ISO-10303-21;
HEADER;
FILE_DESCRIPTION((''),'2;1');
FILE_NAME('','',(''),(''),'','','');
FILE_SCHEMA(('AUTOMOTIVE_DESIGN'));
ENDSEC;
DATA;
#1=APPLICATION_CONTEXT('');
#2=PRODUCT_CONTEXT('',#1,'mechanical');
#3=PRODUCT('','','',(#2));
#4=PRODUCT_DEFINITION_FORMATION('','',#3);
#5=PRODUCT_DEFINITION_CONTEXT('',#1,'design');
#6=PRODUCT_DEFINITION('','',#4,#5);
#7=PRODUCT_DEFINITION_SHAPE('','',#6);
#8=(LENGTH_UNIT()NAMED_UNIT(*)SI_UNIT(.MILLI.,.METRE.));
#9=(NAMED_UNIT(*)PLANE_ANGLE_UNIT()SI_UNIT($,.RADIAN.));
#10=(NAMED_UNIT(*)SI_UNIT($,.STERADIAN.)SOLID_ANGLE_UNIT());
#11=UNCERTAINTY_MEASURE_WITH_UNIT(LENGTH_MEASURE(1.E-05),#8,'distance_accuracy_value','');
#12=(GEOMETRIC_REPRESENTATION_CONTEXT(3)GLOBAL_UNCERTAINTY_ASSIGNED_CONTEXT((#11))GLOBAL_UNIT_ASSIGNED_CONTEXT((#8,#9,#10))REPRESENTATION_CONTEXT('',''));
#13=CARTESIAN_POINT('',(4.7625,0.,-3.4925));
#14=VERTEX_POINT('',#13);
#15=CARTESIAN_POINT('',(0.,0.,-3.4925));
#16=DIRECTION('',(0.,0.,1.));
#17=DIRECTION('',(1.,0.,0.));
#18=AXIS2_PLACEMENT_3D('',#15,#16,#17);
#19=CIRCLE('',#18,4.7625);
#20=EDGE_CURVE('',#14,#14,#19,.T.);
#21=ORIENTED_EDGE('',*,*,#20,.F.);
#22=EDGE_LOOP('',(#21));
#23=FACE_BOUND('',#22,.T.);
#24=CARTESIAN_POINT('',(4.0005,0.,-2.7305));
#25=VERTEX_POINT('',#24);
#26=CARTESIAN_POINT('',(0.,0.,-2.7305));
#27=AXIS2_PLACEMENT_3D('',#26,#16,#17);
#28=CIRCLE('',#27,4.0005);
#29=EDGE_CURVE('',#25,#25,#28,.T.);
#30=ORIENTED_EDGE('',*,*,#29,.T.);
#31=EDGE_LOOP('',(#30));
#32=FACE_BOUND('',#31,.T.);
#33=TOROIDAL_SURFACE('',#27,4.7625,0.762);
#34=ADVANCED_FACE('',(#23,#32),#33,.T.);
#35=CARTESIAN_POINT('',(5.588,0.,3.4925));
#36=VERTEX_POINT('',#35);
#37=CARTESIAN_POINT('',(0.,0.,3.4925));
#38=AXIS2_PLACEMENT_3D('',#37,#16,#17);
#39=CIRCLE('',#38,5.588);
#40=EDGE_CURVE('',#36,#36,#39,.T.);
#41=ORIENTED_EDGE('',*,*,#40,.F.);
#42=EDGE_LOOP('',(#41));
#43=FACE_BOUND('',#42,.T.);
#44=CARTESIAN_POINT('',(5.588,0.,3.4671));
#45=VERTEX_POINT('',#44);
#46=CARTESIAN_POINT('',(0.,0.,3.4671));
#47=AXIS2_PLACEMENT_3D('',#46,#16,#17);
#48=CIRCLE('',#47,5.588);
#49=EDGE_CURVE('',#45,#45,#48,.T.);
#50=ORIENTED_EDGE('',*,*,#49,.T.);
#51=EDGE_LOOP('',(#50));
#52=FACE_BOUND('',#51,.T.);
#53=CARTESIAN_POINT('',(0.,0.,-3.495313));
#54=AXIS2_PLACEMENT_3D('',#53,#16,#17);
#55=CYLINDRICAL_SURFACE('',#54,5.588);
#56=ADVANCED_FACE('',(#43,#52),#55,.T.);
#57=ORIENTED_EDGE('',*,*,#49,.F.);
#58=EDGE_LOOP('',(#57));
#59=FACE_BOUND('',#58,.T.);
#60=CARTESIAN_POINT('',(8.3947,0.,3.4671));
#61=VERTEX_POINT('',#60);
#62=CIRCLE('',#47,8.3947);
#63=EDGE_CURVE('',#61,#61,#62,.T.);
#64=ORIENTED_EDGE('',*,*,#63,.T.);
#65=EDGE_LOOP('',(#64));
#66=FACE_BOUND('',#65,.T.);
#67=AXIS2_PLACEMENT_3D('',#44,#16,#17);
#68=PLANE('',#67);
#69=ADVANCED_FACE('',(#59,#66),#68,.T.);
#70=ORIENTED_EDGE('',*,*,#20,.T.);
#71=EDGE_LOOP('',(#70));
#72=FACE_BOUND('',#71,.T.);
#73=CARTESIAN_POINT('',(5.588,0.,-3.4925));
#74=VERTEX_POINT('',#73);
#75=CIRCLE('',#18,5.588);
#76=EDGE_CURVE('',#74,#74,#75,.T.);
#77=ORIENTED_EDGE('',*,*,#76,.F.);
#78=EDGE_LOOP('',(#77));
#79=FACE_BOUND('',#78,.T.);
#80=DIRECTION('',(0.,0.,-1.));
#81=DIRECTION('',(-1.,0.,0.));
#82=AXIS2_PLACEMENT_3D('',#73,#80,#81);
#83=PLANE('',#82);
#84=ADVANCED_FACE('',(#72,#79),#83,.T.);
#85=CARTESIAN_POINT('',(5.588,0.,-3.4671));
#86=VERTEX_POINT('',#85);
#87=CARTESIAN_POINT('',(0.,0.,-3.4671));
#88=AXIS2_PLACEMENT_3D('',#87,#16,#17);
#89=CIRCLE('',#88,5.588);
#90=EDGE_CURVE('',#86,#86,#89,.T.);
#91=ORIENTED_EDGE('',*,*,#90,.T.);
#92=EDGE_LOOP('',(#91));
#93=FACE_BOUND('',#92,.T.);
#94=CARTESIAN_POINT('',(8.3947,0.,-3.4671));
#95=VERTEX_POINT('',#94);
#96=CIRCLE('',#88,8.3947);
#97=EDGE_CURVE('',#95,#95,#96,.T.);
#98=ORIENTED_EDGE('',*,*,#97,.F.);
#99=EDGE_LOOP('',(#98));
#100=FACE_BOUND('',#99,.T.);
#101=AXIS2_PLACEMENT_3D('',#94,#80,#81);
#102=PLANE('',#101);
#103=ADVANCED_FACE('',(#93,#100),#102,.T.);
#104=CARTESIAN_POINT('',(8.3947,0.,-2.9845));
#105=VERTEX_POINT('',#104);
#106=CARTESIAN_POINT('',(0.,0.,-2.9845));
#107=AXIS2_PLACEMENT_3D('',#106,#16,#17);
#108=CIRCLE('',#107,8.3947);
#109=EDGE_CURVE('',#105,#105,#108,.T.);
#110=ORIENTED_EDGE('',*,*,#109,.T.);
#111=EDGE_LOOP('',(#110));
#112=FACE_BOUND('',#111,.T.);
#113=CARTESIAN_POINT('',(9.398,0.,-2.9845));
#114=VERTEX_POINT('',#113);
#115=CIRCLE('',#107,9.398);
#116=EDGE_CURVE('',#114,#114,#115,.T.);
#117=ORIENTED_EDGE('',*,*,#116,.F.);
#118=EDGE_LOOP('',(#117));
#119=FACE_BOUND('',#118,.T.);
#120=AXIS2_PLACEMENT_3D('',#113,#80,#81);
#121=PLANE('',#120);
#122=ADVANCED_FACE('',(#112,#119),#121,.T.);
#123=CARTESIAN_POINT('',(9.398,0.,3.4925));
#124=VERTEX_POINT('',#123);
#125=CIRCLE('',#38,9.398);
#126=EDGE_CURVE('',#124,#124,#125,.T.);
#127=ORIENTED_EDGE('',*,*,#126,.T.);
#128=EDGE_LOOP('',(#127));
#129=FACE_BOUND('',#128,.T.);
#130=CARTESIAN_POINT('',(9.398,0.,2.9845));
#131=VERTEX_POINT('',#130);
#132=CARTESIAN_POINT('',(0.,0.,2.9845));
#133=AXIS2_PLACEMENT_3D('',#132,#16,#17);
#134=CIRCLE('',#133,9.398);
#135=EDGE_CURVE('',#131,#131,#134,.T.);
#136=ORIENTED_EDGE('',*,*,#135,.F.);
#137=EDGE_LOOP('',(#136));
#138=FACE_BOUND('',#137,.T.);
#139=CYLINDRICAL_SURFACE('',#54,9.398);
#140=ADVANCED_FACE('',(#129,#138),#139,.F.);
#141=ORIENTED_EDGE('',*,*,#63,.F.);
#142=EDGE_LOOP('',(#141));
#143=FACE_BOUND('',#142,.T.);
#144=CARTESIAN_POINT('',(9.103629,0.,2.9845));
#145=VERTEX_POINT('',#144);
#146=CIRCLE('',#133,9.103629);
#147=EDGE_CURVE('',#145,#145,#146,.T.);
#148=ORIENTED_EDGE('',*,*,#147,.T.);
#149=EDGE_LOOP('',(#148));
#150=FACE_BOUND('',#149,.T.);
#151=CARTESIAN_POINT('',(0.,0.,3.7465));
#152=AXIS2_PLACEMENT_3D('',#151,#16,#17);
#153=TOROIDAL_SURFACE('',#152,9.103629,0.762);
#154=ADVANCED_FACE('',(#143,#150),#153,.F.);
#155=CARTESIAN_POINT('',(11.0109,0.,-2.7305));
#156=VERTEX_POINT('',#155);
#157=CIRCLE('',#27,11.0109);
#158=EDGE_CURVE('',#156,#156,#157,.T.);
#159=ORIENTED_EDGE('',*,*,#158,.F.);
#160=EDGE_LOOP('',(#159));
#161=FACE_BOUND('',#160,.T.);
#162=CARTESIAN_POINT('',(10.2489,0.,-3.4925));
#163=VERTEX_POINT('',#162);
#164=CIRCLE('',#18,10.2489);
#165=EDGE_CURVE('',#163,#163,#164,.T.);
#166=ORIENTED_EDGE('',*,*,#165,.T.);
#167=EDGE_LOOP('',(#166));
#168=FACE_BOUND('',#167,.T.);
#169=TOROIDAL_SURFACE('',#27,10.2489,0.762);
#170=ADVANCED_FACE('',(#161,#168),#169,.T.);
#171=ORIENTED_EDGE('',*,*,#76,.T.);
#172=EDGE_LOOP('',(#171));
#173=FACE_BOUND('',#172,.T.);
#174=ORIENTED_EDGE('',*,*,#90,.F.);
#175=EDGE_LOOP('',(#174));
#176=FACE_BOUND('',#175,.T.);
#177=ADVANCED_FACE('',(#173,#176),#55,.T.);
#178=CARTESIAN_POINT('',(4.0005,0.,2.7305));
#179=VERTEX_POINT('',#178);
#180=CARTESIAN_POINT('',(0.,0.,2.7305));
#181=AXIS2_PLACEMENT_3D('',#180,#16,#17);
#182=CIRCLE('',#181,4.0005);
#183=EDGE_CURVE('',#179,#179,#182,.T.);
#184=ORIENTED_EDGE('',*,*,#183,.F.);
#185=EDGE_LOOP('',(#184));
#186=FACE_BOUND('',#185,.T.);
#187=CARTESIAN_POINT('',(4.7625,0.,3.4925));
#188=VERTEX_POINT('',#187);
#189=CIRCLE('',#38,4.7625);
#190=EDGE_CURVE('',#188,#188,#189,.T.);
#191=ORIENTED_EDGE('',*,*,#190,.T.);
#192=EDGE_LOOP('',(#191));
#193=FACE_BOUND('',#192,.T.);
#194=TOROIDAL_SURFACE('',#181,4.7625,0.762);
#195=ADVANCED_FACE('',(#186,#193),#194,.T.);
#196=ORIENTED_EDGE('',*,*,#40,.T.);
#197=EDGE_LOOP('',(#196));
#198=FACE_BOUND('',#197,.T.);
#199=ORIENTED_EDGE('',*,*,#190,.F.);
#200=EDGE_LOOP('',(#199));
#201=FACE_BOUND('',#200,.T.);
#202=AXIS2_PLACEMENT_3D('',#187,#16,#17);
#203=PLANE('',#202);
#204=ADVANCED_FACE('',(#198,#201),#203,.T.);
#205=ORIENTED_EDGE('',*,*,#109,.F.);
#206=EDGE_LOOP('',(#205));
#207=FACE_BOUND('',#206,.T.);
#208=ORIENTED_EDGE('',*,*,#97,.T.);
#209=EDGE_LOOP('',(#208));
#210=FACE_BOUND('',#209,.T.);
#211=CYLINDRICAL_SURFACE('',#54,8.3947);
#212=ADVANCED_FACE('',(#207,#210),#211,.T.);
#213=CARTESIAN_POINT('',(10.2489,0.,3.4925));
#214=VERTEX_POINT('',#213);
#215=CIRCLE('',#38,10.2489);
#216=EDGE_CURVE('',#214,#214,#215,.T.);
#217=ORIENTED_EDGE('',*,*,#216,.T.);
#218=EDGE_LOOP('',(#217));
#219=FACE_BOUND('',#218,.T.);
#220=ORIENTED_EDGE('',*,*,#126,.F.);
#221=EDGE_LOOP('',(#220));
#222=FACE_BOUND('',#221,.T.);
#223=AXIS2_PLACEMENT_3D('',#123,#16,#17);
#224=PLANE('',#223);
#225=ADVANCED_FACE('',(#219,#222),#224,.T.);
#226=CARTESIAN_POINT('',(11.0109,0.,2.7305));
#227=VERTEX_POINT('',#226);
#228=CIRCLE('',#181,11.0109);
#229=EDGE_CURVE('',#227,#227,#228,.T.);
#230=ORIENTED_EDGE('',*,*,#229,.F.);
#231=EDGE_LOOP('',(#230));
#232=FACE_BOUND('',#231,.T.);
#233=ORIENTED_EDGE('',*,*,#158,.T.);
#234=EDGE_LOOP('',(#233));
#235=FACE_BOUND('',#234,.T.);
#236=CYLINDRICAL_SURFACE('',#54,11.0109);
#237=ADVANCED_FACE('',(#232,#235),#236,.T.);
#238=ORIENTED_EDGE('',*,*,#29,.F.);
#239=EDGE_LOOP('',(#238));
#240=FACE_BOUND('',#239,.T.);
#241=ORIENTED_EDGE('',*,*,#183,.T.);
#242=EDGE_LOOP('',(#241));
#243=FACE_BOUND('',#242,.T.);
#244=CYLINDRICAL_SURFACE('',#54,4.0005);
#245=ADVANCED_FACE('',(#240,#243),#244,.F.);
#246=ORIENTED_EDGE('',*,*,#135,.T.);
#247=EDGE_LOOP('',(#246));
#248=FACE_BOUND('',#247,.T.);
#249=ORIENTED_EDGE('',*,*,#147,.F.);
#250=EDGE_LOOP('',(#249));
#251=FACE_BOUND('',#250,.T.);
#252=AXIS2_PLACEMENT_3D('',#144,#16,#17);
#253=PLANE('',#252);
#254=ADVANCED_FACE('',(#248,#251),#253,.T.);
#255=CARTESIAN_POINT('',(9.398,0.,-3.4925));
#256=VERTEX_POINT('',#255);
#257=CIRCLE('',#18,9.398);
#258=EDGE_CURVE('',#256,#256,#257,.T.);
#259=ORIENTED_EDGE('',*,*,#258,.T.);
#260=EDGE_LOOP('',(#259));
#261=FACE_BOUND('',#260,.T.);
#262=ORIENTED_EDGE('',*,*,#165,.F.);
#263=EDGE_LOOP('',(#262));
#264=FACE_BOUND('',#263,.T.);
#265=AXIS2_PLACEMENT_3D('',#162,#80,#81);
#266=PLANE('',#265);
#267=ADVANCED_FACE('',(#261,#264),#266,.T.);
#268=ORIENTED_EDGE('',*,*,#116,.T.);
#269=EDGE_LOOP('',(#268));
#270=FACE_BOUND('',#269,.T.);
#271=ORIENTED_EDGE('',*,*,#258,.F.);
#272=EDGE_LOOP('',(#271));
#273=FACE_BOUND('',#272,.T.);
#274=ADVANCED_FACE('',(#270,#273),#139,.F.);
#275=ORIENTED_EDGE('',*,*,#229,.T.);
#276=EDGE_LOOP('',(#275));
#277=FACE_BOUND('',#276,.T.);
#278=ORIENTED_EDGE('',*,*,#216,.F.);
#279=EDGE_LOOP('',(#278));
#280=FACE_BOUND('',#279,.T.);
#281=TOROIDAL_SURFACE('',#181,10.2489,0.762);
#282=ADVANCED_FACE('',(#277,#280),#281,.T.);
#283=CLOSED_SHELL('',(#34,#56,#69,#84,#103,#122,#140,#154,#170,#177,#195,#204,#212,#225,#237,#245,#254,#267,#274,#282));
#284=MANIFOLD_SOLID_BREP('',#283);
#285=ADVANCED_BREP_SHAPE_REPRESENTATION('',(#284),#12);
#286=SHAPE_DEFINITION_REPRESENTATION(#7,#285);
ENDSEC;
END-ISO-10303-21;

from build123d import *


with BuildPart() as part:
    # Sketch1 → Revolve1 (revolve)
    with BuildSketch(Plane(origin=(0, 0, 0), x_dir=(1, 0, 0), z_dir=(0, 1, 0))):
        with BuildLine():
            Line((4.0005, 2.7305), (4.0005, -2.7305))
            ThreePointArc((4.0005, -2.7305), (4.223684633, -3.269315367), (4.7625, -3.4925))
            Line((4.7625, -3.4925), (5.588, -3.4925))
            Line((5.588, -3.4925), (5.588, -3.4671))
            Line((5.588, -3.4671), (8.3947, -3.4671))
            ThreePointArc((8.3947, -3.4671), (8.674827163, -3.116600484), (9.103628515, -2.9845))
            Line((9.103628515, -2.9845), (9.398, -2.9845))
            Line((9.398, -2.9845), (9.398, -3.4925))
            Line((9.398, -3.4925), (10.2489, -3.4925))
            ThreePointArc((10.2489, -3.4925), (10.787715367, -3.269315367), (11.0109, -2.7305))
            Line((11.0109, -2.7305), (11.0109, 2.7305))
            ThreePointArc((11.0109, 2.7305), (10.787715367, 3.269315367), (10.2489, 3.4925))
            Line((10.2489, 3.4925), (9.398, 3.4925))
            Line((9.398, 3.4925), (9.398, 2.9845))
            Line((9.398, 2.9845), (8.3947, 2.9845))
            Line((8.3947, 2.9845), (8.3947, 3.4671))
            Line((8.3947, 3.4671), (5.588, 3.4671))
            Line((5.588, 3.4671), (5.588, 3.4925))
            Line((5.588, 3.4925), (4.7625, 3.4925))
            ThreePointArc((4.7625, 3.4925), (4.223684633, 3.269315367), (4.0005, 2.7305))
        make_face()
    revolve(axis=Axis((0, 0, -3.495313106), (0, 0, 1)))


solid = part.part
